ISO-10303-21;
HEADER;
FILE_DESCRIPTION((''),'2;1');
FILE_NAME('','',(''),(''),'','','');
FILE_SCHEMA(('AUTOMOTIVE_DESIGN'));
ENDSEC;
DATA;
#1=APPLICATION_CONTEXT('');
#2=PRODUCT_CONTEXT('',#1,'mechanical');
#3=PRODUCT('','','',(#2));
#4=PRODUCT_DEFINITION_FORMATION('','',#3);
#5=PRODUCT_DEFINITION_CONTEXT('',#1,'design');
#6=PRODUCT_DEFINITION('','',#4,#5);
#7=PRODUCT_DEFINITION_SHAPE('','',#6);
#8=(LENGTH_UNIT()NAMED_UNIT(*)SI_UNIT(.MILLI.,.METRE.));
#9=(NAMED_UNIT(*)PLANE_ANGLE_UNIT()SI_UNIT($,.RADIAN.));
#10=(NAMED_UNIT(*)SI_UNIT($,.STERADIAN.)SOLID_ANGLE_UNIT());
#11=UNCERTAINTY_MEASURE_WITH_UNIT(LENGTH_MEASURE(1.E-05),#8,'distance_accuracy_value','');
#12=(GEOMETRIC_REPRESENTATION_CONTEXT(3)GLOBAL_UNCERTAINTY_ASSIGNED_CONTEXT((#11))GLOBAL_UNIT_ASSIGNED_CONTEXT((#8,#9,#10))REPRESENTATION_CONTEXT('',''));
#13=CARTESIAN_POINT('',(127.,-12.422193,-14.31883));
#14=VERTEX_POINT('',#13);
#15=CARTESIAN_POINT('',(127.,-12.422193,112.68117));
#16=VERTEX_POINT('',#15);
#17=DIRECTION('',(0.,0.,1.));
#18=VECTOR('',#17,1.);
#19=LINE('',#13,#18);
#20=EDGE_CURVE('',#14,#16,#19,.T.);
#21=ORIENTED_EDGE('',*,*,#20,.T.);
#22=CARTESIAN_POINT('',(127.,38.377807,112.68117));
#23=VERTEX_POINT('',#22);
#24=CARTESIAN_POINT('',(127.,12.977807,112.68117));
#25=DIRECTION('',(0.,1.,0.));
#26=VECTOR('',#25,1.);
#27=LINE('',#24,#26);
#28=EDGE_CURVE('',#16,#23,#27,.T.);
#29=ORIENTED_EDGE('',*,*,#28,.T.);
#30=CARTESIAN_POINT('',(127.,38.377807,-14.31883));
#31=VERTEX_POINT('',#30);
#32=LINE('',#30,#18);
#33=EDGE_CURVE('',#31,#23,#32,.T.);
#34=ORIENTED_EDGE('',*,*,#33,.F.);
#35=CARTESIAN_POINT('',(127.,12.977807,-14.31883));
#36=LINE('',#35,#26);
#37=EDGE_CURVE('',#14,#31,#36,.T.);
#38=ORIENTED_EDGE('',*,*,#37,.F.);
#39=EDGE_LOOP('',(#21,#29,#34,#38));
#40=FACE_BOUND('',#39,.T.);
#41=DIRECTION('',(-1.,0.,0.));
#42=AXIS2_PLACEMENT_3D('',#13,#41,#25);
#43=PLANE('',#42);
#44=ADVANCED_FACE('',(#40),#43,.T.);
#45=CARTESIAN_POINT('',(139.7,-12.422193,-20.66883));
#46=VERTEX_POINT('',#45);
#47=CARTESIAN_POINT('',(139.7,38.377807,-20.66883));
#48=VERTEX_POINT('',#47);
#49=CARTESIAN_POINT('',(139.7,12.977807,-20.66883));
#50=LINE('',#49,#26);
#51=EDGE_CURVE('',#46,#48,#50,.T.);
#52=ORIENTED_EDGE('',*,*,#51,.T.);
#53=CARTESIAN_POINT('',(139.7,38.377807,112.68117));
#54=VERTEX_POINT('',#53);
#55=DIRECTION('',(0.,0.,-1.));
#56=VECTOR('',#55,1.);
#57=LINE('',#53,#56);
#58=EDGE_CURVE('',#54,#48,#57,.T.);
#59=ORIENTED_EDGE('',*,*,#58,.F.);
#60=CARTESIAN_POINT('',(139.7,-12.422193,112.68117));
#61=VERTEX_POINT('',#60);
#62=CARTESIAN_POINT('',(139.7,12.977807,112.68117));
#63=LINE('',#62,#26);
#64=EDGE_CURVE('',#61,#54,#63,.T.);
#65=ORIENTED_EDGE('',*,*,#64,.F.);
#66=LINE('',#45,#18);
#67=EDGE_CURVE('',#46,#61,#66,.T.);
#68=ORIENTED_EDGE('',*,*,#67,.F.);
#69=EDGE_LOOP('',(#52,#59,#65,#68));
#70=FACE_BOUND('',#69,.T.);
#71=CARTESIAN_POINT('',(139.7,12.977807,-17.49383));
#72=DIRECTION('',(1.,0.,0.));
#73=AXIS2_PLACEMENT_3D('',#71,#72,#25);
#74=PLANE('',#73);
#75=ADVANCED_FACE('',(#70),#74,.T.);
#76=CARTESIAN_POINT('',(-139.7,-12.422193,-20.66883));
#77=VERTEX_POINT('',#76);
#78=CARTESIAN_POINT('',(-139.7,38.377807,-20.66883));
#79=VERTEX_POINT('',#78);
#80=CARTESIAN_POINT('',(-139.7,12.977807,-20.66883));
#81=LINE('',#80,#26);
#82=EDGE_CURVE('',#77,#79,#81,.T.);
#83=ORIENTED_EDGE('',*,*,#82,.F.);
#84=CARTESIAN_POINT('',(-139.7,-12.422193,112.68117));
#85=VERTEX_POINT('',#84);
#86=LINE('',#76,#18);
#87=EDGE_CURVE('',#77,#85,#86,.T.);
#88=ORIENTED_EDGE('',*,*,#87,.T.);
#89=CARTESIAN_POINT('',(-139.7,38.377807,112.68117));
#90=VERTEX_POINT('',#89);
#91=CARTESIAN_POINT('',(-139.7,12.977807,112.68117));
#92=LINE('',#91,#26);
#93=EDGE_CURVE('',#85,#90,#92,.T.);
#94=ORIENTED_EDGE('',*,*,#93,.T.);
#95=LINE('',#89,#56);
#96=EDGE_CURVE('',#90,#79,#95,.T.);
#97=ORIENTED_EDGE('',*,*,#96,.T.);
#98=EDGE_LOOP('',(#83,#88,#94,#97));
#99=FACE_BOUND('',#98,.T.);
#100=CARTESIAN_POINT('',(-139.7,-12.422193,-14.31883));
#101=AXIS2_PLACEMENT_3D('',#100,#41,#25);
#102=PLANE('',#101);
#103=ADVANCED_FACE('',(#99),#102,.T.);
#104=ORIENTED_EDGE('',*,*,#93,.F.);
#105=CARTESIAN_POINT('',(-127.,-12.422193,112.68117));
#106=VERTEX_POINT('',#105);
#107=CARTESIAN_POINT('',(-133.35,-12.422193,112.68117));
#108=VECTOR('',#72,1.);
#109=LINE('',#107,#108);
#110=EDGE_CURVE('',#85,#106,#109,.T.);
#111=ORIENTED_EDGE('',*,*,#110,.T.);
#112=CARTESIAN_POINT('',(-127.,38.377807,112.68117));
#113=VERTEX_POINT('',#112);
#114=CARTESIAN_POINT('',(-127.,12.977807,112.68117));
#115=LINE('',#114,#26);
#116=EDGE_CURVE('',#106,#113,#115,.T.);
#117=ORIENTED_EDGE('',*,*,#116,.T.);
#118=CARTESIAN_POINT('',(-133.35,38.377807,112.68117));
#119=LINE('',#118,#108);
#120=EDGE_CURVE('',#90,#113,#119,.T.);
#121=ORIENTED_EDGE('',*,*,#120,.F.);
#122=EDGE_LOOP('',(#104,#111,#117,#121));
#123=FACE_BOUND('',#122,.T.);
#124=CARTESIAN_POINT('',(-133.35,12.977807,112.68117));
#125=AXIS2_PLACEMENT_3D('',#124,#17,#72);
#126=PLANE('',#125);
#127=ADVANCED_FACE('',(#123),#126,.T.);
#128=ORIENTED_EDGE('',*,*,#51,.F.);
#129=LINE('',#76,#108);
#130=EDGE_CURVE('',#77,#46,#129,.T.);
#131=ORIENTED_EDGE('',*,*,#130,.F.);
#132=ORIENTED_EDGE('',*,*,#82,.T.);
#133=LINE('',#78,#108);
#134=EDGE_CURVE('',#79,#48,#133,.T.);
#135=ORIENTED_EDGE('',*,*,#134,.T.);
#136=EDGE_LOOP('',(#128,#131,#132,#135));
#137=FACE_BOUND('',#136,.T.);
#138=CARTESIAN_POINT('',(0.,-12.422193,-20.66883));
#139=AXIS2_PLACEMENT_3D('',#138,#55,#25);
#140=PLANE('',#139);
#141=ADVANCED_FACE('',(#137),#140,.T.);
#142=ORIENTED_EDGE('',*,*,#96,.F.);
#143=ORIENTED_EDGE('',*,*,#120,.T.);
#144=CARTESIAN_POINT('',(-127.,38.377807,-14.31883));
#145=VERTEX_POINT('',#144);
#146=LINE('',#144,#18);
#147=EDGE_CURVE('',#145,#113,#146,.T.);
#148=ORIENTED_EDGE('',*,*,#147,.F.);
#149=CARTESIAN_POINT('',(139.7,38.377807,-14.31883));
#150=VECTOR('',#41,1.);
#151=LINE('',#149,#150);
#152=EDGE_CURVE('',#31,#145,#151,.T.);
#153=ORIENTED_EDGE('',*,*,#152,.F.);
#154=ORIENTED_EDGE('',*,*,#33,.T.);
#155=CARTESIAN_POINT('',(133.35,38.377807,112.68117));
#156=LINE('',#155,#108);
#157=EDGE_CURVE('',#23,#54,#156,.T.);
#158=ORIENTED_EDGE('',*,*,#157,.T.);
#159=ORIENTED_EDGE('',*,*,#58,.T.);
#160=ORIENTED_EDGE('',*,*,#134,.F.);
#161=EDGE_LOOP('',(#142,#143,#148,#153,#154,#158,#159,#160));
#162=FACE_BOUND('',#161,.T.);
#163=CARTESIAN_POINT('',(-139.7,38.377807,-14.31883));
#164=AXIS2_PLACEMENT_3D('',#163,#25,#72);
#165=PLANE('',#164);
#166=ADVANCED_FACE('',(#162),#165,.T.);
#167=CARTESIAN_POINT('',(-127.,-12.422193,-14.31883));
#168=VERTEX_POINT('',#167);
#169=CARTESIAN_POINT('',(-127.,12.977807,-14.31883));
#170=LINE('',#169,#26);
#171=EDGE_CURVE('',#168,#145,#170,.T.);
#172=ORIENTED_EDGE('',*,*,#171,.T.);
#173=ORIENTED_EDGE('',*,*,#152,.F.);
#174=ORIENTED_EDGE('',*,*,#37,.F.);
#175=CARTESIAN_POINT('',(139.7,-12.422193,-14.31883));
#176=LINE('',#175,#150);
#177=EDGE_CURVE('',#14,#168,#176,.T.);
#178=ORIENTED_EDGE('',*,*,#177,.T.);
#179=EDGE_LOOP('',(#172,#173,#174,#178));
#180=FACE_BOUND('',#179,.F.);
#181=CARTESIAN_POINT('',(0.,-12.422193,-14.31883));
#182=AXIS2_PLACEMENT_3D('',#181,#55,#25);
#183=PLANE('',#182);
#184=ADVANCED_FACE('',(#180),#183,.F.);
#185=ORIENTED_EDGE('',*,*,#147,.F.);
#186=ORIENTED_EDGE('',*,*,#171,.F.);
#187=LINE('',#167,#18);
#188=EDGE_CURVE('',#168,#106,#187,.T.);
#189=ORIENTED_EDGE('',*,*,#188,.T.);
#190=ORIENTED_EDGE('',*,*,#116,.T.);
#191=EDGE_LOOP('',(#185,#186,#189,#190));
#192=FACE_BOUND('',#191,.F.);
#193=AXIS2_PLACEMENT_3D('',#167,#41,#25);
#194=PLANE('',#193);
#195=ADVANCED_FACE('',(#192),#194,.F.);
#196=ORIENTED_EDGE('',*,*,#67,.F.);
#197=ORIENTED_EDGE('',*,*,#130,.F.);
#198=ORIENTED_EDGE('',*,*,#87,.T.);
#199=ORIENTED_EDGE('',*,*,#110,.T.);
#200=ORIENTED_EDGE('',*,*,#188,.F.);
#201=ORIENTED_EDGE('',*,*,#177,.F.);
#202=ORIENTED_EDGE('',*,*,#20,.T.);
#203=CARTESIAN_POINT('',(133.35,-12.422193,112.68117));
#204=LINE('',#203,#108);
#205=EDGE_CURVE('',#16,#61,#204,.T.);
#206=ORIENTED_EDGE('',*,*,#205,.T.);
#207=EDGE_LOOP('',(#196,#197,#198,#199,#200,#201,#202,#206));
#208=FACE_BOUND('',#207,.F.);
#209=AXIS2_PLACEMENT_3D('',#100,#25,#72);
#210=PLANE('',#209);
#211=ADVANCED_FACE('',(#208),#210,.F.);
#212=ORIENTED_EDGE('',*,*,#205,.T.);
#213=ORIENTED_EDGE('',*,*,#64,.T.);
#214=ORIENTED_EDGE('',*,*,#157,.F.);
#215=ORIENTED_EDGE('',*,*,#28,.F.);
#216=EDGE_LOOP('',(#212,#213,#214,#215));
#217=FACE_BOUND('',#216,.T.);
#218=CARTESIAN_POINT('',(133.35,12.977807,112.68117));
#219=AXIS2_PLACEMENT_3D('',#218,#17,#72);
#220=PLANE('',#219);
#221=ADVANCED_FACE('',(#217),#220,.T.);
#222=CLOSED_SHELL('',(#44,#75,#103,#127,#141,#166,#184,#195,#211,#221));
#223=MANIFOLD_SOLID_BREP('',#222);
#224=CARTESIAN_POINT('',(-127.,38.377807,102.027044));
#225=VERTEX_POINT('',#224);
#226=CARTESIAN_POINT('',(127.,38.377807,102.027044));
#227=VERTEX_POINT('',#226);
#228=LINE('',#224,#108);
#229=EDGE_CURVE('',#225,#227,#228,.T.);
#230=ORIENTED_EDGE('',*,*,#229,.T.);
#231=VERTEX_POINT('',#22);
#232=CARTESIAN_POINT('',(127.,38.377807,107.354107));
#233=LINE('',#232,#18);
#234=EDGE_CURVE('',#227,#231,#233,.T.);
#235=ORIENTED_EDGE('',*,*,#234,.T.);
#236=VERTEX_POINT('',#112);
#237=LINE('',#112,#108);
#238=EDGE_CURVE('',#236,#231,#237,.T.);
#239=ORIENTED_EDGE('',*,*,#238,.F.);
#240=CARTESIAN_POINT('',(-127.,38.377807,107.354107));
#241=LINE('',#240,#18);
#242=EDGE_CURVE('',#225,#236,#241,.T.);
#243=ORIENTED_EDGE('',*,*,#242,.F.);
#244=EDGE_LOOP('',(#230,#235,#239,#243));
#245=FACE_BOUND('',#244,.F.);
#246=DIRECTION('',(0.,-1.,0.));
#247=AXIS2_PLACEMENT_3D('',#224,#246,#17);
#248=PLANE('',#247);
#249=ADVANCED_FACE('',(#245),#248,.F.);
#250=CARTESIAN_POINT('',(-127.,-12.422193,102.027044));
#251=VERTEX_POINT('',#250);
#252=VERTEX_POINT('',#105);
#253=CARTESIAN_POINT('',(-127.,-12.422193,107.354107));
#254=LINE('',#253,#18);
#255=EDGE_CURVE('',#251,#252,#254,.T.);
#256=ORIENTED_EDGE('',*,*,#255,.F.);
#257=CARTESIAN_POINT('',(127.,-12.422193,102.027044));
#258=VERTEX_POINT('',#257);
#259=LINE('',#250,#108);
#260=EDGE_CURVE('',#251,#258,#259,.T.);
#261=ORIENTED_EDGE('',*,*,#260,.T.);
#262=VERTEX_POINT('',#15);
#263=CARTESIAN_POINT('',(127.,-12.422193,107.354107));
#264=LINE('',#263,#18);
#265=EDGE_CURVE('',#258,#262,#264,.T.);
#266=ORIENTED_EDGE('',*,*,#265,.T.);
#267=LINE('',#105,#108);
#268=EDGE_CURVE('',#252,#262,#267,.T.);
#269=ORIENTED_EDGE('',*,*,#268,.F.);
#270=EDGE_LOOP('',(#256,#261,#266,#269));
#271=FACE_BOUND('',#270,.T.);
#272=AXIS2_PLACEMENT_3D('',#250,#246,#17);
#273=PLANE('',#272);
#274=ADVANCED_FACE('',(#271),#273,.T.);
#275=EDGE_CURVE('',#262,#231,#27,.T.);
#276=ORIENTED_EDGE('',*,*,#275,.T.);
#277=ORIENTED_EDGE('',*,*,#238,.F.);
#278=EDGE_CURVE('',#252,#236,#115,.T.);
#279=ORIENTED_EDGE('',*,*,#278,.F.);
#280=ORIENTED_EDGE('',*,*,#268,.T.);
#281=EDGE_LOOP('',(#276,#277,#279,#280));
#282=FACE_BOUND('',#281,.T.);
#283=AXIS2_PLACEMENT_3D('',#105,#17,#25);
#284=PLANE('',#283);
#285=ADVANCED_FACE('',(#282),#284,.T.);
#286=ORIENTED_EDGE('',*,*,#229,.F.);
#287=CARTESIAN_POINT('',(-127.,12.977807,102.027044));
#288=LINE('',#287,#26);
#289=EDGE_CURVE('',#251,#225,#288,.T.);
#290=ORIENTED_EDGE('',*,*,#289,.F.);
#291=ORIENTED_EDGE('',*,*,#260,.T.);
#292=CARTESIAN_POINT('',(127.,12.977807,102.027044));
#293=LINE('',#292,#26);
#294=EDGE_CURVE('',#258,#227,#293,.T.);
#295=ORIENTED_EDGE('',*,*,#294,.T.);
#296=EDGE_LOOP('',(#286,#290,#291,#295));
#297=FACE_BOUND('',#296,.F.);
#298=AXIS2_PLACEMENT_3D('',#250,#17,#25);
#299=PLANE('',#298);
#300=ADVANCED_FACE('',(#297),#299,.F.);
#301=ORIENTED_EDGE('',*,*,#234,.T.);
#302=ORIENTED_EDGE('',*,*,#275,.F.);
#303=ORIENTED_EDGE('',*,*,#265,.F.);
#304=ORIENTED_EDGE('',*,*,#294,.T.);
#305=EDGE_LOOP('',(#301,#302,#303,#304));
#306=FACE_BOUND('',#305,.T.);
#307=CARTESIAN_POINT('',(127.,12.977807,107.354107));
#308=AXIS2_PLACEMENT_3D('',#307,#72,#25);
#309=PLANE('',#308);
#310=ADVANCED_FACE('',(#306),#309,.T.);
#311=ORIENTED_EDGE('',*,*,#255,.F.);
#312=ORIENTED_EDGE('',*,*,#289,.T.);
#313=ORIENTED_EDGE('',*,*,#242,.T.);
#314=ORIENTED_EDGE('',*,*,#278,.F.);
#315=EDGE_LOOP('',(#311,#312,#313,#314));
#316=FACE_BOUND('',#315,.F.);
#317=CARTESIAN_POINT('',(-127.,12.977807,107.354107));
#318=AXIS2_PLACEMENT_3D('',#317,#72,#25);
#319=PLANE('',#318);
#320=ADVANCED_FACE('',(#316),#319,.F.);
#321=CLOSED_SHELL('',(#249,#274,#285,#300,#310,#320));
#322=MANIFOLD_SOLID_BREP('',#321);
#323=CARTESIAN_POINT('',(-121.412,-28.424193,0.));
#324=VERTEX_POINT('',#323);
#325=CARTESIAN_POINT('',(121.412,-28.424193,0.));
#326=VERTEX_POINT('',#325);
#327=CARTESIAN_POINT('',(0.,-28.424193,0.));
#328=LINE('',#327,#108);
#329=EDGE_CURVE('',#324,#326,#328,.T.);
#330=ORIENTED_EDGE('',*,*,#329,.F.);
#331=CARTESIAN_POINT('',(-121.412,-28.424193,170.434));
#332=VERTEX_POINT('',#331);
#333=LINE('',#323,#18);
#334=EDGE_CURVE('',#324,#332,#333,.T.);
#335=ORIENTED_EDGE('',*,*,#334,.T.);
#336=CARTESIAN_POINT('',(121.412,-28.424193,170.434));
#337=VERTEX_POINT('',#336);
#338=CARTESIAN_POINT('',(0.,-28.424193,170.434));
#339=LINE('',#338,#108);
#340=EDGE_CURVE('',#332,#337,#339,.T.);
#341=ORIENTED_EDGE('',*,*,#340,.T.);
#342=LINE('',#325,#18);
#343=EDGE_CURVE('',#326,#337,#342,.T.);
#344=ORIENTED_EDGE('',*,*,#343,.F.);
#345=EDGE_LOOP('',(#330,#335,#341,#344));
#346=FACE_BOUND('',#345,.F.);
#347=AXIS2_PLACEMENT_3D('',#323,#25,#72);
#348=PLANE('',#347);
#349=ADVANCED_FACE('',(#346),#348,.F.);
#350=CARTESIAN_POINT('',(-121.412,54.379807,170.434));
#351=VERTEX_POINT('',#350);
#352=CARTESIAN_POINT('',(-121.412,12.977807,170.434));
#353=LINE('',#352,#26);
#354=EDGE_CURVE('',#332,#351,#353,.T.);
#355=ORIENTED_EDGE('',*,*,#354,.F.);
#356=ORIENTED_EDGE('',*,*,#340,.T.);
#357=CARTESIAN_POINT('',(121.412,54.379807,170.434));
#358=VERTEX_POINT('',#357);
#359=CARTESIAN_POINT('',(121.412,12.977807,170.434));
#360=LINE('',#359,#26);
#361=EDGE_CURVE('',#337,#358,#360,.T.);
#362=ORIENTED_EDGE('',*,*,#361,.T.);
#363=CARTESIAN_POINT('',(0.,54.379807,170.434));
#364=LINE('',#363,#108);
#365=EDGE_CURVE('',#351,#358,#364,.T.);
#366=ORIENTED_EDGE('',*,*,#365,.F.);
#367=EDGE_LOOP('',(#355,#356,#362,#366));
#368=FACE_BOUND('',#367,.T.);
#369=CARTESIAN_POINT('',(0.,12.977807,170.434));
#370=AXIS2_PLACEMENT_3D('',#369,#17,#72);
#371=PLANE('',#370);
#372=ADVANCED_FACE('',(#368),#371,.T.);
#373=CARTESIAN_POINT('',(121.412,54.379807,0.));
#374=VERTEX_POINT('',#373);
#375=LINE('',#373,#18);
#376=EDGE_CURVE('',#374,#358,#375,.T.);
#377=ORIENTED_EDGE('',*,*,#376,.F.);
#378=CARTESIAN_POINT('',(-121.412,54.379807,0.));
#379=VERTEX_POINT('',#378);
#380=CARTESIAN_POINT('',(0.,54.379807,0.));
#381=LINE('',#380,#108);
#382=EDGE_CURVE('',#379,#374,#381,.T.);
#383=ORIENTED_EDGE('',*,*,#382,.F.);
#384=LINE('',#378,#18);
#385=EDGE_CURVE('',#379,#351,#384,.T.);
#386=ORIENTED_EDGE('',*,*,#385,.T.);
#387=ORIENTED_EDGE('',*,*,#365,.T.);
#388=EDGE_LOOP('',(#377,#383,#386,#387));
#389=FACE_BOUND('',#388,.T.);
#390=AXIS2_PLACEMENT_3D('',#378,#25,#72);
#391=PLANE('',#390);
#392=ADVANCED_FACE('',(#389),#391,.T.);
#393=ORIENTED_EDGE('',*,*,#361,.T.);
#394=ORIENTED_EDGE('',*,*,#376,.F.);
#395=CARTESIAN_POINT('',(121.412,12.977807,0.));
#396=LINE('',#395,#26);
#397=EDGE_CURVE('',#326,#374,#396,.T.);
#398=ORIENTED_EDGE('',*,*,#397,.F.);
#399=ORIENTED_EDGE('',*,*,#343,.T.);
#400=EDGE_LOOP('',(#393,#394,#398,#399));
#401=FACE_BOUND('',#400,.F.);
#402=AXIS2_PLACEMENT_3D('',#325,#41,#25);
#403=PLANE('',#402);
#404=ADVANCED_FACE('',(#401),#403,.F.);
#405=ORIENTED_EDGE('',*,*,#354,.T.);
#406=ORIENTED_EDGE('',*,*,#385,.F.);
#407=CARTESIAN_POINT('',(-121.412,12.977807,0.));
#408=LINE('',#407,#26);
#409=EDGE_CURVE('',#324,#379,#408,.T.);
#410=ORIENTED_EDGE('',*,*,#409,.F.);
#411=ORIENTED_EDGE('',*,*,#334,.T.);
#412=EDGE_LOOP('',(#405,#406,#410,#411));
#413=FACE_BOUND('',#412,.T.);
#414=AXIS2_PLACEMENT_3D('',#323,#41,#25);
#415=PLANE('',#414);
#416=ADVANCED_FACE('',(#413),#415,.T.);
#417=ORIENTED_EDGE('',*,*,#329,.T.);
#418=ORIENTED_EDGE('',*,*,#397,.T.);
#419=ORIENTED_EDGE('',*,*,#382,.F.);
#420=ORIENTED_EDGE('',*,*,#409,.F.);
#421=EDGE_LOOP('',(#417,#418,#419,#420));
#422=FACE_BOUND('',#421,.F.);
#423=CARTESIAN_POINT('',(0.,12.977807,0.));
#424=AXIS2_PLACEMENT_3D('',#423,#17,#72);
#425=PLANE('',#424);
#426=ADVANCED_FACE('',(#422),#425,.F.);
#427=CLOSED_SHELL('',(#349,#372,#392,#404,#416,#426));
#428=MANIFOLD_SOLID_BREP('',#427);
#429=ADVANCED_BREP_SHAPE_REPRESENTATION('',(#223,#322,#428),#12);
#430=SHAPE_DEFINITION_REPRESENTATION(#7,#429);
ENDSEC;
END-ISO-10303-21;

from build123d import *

# Parameters (mm, degrees)
F0_W     = 242.824
F0_H     = 82.804
F1_DEPTH = 170.434
F2_W     = 50.8
F2_H     = 6.35
F3_DEPTH = 139.7
F4_W     = 12.7
F4_H     = 50.8
F5_DEPTH = 127
F6_W     = 50.8
F6_H     = 10.654126
F7_DEPTH = 254


with BuildPart() as f1:
    # F0 (on Top) → F1 (new body)
    with BuildSketch(Plane.XY):
        with Locations((0, 12.977807)):
            Rectangle(F0_W, F0_H)
    extrude(amount=F1_DEPTH)


with BuildPart() as f3:
    # F2 (on Right) → F3 (new body, symmetric)
    with BuildSketch(Plane.YZ):
        with Locations((12.977807, -17.49383)):
            Rectangle(F2_W, F2_H)
    extrude(amount=F3_DEPTH, both=True)

    # F4 (on face) → F5 (join)
    with BuildSketch(Plane.XY.offset(-14.31883)):
        with Locations((-133.35, 12.977807)):
            Rectangle(F4_W, F4_H)
        with Locations((133.35, 12.977807)):
            Rectangle(F4_W, F4_H)
    extrude(amount=F5_DEPTH)


with BuildPart() as f7:
    # F6 (on face) → F7 (new body)
    with BuildSketch(Plane.YZ.offset(-127)):
        with Locations((12.977807, 107.354107)):
            Rectangle(F6_W, F6_H)
    extrude(amount=F7_DEPTH)


solid = Compound([f1.part, f3.part, f7.part])
